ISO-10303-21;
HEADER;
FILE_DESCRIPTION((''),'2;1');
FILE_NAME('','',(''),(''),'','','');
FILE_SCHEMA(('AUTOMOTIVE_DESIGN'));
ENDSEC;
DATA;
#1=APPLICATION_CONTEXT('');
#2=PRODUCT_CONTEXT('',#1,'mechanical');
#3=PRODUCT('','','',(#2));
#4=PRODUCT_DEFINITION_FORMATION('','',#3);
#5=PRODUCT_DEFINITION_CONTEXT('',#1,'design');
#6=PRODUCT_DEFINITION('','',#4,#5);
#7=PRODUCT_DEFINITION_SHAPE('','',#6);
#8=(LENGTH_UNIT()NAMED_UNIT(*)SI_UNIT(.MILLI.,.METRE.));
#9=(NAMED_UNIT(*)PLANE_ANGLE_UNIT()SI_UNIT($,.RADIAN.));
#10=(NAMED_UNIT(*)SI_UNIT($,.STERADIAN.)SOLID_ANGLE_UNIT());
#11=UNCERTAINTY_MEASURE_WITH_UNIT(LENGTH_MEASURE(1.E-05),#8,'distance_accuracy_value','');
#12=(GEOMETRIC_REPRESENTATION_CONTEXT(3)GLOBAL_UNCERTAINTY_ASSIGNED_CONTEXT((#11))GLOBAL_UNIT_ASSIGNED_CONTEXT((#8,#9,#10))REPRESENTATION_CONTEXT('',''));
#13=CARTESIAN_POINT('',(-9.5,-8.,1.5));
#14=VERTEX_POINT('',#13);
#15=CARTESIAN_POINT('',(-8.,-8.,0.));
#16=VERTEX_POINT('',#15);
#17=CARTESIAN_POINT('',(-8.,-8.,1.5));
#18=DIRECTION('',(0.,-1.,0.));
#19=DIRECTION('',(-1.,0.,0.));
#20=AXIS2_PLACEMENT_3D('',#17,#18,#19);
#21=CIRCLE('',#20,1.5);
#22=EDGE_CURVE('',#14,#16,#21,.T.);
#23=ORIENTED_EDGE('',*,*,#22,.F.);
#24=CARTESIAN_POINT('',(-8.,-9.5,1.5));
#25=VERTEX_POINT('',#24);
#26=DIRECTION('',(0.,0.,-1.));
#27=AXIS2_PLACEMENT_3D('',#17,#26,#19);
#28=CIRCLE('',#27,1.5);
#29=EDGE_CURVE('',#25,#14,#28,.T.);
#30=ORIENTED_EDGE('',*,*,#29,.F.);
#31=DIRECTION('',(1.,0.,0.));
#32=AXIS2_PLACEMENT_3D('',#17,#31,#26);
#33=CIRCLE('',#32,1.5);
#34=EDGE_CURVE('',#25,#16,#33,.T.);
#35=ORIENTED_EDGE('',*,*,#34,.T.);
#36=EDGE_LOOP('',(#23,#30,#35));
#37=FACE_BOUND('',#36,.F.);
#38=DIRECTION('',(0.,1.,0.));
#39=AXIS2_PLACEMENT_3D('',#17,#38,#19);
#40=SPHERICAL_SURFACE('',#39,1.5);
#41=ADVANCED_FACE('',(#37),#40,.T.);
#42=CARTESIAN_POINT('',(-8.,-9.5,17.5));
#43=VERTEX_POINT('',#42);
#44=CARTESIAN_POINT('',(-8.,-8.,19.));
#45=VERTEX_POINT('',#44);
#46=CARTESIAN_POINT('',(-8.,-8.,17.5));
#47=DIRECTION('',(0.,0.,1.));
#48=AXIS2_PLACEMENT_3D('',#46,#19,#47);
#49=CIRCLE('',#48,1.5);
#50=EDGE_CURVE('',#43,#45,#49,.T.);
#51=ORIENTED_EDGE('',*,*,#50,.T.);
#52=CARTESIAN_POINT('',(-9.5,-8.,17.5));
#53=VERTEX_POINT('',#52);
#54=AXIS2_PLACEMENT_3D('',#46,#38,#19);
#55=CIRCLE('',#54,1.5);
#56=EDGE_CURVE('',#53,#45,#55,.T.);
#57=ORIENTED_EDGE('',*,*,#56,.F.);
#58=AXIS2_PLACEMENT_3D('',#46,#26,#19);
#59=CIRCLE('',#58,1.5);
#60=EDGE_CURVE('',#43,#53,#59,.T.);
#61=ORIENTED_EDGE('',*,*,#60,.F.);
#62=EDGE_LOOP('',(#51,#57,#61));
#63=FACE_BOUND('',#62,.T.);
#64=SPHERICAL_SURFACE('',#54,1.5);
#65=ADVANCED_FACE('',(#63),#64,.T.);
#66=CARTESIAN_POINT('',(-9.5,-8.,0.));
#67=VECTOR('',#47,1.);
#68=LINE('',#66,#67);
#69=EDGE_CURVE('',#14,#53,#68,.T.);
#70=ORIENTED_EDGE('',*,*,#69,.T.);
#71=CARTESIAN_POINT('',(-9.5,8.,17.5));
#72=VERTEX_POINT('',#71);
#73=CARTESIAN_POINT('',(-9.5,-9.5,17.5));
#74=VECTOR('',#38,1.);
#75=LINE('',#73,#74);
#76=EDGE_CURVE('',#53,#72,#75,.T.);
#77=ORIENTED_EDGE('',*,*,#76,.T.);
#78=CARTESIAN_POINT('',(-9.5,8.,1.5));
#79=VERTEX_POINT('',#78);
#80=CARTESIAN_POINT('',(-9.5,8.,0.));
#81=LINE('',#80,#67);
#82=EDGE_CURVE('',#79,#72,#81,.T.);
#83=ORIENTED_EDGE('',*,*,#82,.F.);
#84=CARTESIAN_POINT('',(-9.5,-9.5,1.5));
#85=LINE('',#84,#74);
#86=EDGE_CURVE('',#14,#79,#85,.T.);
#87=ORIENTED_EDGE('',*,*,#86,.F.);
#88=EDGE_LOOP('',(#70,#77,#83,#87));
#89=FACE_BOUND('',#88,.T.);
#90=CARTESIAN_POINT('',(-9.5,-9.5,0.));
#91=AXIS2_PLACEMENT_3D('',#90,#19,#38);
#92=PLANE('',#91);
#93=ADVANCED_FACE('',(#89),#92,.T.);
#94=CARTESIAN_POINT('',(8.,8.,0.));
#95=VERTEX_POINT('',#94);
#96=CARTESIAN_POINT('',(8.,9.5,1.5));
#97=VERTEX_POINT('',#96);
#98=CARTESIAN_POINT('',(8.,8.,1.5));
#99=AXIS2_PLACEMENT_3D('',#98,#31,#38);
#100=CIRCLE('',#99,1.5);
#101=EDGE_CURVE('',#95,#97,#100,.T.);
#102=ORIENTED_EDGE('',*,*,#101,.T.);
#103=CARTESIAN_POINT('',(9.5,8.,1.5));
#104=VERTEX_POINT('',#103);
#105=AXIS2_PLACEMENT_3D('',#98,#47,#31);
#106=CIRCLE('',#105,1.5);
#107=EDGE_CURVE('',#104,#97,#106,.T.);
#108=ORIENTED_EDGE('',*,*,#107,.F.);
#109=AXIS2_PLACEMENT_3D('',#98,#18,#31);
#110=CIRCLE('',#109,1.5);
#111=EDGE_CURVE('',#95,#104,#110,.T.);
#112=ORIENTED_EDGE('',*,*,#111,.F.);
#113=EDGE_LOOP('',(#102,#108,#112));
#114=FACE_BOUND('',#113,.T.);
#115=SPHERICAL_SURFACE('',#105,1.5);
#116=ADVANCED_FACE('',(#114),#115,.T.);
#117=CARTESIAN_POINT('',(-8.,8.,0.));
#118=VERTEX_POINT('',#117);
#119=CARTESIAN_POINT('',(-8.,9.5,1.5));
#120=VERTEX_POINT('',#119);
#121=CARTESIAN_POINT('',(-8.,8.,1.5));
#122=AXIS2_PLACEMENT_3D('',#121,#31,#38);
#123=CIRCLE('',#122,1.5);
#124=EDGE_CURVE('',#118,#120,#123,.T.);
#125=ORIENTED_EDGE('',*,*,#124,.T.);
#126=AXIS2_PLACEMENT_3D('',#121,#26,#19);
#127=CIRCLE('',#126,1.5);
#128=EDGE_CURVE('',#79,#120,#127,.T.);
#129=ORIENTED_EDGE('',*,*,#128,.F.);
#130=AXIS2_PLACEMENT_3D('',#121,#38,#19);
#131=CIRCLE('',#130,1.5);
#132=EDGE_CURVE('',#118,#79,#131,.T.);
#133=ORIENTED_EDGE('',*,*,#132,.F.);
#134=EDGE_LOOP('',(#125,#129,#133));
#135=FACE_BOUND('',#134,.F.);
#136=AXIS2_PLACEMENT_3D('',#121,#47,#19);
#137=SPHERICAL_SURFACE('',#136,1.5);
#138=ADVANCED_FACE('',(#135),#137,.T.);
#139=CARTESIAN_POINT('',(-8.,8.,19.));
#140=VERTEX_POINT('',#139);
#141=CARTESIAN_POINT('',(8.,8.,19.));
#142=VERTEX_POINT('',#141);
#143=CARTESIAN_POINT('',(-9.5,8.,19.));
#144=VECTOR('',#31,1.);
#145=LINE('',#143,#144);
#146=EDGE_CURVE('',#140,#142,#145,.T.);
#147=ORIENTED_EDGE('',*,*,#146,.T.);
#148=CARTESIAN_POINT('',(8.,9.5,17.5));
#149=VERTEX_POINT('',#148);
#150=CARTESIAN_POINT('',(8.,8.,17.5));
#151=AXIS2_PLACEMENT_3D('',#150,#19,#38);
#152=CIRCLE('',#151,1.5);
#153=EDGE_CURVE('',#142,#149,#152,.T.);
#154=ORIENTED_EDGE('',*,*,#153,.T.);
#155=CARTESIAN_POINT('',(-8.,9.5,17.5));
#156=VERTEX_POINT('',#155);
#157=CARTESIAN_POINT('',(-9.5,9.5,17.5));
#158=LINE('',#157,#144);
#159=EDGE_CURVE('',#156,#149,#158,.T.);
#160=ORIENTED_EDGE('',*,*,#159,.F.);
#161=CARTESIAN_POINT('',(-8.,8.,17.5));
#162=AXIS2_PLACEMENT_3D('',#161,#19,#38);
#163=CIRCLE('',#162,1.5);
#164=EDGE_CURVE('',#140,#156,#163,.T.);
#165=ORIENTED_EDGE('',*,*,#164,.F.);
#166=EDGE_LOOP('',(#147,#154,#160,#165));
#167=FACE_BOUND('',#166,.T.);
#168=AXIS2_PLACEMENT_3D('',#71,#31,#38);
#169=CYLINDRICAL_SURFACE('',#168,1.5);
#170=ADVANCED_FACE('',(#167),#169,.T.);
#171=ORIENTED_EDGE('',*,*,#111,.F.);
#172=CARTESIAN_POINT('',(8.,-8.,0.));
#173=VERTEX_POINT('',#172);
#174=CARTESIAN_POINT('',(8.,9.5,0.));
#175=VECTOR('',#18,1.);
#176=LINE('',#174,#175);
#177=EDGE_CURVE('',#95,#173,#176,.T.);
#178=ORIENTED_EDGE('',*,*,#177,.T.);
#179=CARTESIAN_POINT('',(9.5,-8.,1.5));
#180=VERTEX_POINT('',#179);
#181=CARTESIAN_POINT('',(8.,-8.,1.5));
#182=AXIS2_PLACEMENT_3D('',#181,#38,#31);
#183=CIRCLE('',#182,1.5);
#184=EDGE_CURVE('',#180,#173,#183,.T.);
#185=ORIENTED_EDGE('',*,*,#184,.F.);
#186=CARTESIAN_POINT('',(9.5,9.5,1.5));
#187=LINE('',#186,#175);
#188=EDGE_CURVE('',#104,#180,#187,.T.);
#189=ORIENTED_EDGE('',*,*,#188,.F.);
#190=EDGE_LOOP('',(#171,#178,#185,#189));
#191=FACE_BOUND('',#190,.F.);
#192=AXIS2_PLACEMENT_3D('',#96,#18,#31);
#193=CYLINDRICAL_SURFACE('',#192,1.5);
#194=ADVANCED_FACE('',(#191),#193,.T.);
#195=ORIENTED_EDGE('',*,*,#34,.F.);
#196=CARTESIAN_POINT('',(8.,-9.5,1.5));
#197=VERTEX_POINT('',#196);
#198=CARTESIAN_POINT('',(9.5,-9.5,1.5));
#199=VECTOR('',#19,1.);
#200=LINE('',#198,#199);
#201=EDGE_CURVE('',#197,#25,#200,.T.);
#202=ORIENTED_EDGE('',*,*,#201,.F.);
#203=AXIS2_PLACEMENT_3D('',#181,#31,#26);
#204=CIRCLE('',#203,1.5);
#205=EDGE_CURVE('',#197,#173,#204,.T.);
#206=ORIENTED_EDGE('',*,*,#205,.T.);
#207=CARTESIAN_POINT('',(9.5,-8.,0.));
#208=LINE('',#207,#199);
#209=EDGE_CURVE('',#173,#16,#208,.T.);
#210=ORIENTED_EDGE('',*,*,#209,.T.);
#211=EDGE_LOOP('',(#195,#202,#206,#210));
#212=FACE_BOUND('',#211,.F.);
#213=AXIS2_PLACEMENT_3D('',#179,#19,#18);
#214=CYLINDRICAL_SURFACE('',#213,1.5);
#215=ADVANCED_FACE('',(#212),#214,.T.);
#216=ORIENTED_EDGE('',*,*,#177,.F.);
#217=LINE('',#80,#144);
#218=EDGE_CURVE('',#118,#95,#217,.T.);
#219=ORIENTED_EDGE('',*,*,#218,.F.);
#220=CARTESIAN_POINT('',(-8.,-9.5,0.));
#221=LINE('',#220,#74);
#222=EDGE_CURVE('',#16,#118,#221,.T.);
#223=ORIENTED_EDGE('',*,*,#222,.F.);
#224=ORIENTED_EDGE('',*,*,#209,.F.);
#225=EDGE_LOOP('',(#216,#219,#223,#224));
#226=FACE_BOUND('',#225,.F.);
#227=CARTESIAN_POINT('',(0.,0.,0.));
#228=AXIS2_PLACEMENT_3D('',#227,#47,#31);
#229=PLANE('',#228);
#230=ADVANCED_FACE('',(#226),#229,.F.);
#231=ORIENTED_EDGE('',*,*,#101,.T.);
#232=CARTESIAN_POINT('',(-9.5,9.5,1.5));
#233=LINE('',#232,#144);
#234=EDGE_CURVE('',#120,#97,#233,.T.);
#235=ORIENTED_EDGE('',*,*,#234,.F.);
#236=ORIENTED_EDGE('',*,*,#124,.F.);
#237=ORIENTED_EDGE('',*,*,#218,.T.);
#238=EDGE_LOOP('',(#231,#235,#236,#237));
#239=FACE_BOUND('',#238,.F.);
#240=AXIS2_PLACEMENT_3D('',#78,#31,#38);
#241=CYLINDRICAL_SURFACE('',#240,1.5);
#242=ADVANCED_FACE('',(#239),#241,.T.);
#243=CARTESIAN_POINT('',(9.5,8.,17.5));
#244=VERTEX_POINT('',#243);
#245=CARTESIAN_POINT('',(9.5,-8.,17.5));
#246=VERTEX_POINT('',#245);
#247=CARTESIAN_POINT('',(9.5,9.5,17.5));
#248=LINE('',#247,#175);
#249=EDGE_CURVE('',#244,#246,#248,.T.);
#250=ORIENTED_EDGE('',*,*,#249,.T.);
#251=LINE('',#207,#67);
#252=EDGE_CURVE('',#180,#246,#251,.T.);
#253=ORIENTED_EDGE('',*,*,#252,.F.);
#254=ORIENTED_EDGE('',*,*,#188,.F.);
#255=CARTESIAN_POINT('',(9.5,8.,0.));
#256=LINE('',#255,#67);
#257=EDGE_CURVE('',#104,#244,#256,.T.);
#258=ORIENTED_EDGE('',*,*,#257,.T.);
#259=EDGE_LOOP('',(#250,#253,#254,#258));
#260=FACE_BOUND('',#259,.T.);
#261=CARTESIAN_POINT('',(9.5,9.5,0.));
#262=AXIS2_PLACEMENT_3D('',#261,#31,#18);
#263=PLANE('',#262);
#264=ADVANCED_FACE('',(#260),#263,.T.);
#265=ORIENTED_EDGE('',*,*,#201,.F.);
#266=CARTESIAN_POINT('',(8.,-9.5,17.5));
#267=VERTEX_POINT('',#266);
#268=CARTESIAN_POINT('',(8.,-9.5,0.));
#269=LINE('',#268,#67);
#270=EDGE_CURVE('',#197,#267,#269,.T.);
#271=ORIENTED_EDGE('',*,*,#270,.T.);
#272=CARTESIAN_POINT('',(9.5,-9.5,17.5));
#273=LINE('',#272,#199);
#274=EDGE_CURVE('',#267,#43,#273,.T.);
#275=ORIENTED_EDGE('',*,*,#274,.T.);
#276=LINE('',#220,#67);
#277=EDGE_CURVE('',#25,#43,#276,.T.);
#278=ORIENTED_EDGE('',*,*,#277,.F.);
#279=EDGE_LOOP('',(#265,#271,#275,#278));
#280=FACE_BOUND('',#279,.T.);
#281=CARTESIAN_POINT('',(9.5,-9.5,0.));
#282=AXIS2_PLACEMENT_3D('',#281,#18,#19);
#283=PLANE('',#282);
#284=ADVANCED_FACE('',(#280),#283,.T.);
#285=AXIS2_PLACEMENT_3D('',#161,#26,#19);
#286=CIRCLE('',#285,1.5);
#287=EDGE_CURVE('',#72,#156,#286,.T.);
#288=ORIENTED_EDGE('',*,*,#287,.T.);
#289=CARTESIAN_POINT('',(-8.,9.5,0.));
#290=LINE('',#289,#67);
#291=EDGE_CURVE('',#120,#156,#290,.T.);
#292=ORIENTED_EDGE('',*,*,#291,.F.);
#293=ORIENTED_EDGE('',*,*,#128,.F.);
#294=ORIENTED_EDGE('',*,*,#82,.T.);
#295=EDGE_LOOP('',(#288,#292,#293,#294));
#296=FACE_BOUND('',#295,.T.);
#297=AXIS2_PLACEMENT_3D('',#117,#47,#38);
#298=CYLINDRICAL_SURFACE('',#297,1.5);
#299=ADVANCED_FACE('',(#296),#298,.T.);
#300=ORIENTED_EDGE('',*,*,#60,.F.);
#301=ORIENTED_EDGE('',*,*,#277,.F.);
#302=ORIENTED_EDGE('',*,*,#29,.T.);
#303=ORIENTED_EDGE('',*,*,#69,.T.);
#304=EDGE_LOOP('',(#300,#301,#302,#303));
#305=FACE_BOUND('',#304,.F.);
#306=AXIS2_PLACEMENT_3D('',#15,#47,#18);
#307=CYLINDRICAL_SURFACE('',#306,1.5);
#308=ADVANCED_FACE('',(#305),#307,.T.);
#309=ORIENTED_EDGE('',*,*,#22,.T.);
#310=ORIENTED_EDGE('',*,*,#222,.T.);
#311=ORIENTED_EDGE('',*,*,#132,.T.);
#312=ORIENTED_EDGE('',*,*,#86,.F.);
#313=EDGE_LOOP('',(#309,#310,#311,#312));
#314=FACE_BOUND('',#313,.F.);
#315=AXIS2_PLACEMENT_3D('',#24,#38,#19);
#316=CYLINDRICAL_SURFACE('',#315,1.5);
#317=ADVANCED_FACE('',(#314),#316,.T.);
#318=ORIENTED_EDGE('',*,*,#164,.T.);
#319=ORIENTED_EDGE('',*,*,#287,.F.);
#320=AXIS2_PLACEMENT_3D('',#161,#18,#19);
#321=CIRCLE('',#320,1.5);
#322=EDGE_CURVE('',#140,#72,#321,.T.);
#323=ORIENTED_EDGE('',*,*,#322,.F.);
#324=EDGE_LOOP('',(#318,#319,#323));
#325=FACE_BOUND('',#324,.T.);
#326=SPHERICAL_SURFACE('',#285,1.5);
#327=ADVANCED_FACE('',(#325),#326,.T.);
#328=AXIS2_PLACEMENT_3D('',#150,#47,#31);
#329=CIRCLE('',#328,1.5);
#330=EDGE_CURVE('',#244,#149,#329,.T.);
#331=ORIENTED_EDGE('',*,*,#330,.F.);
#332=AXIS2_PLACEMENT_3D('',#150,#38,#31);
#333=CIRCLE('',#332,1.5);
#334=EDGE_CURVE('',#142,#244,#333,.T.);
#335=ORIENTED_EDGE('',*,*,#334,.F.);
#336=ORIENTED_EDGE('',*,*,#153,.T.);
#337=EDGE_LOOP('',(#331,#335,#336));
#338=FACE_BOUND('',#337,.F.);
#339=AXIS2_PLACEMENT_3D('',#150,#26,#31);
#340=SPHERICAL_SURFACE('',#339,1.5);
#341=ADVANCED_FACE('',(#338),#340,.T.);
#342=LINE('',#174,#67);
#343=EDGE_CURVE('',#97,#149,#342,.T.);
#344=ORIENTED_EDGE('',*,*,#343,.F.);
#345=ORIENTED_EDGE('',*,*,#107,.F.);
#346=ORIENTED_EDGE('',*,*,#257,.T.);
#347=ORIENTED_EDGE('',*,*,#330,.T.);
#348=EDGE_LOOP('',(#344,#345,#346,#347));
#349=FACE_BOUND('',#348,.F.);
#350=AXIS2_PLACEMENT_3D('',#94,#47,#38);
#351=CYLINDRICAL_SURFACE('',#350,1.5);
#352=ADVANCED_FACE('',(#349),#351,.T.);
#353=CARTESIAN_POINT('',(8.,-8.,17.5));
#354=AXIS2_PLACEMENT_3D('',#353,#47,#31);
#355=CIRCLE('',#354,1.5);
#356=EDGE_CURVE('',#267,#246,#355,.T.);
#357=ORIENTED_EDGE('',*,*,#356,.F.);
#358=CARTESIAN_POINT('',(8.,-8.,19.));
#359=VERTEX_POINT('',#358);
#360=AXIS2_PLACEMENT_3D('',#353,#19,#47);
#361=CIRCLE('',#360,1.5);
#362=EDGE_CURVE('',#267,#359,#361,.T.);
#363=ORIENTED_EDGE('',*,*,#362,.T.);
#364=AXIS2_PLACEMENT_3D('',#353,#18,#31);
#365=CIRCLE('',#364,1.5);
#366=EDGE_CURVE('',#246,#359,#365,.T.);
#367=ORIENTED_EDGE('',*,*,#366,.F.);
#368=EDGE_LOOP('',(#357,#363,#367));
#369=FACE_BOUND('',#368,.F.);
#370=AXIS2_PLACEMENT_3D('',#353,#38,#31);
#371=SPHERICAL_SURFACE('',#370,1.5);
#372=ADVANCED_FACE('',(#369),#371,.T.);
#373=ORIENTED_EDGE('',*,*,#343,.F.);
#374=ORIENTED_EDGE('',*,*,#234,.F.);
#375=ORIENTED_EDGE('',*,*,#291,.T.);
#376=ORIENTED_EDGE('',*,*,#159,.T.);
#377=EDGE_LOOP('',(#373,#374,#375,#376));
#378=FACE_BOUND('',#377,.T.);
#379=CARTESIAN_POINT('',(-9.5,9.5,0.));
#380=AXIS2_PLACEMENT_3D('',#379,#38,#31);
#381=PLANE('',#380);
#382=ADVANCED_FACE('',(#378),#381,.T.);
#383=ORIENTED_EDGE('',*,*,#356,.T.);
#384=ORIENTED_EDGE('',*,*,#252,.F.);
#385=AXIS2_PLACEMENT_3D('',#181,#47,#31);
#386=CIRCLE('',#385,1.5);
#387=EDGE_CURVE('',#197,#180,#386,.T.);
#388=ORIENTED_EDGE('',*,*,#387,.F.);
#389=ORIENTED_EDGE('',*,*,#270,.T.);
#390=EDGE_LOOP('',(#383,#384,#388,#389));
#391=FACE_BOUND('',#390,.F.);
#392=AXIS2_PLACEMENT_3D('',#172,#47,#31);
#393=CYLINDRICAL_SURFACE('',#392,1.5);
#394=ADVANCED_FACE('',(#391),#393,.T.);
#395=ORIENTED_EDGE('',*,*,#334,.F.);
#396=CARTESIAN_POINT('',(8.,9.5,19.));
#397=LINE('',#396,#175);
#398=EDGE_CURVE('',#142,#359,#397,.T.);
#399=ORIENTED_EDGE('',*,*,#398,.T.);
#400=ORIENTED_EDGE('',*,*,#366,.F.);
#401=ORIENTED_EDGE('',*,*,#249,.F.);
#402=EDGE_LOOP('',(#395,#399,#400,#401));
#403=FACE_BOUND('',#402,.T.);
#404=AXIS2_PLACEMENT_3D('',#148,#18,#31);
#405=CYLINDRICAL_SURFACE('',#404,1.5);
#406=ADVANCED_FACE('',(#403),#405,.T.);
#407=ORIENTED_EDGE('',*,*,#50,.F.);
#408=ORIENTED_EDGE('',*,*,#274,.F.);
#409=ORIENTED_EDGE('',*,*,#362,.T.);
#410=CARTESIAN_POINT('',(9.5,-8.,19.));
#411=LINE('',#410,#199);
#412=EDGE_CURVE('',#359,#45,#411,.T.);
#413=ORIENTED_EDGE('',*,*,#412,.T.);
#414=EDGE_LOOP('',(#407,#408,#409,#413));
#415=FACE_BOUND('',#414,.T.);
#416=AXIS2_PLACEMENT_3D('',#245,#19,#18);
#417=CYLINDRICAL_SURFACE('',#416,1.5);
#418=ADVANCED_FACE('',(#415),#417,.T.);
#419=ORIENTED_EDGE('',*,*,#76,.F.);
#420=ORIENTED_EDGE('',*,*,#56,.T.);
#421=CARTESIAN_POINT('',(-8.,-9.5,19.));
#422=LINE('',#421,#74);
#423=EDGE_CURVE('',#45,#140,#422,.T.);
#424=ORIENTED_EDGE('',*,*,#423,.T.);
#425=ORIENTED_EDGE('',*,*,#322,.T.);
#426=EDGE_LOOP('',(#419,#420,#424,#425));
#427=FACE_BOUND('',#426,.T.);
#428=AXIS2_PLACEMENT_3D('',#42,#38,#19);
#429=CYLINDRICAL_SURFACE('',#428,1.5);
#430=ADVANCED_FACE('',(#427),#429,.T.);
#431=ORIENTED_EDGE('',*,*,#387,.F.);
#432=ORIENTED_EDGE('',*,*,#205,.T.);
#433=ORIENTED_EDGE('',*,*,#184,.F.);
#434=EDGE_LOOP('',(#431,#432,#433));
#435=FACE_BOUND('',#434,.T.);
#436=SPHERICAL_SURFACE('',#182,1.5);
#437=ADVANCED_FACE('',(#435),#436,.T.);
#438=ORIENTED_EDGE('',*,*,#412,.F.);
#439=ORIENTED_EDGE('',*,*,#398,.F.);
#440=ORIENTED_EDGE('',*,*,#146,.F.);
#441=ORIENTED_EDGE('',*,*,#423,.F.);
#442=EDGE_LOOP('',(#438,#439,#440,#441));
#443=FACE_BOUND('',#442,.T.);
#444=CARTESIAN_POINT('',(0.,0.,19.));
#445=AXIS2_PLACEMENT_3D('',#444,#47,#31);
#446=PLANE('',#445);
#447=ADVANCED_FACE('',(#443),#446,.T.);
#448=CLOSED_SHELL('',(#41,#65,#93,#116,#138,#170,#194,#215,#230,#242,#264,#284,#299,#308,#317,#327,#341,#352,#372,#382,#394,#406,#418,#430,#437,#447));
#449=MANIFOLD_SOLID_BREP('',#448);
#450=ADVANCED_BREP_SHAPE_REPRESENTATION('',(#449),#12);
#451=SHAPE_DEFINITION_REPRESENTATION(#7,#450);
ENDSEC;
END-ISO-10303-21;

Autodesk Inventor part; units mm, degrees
ref_plane "YZ Plane" through (0, 0, 0) normal (1, 0, 0) x (0, 1, 0)
ref_plane "XZ Plane" through (0, 0, 0) normal (0, 1, 0) x (-1, 0, 0)
ref_plane "XY Plane" through (0, 0, 0) normal (0, 0, 1) x (1, 0, 0)
sketch "Sketch1" plane through (0, 0, 0) normal (0, 0, 1) x (1, 0, 0)
  line L0 (-9.5, 9.5) -> (9.5, 9.5)
  line L1 (9.5, 9.5) -> (9.5, -9.5)
  line L2 (9.5, -9.5) -> (-9.5, -9.5)
  line L3 (-9.5, -9.5) -> (-9.5, 9.5)
  point P0 (0, 0)
  dimension "d0" = 19
  dimension "d1" = 19
  dimension "d2" = 9.5
  dimension "d3" = 9.5
extrude "Extrusion1" add sketch "Sketch1" along normal blind 19
fillet "Fillet1" radius 1.5 12 edges at (9.5, 9.5, 9.5) (9.5, 0, 19) (9.5, 0, 0) (9.5, -9.5, 9.5) (-9.5, 9.5, 9.5) (-9.5, 0, 19) (-9.5, 0, 0) (-9.5, -9.5, 9.5) (0, -9.5, 19) (0, 9.5, 19) (0, 9.5, 0) (0, -9.5, 0)
properties part number "cube"
